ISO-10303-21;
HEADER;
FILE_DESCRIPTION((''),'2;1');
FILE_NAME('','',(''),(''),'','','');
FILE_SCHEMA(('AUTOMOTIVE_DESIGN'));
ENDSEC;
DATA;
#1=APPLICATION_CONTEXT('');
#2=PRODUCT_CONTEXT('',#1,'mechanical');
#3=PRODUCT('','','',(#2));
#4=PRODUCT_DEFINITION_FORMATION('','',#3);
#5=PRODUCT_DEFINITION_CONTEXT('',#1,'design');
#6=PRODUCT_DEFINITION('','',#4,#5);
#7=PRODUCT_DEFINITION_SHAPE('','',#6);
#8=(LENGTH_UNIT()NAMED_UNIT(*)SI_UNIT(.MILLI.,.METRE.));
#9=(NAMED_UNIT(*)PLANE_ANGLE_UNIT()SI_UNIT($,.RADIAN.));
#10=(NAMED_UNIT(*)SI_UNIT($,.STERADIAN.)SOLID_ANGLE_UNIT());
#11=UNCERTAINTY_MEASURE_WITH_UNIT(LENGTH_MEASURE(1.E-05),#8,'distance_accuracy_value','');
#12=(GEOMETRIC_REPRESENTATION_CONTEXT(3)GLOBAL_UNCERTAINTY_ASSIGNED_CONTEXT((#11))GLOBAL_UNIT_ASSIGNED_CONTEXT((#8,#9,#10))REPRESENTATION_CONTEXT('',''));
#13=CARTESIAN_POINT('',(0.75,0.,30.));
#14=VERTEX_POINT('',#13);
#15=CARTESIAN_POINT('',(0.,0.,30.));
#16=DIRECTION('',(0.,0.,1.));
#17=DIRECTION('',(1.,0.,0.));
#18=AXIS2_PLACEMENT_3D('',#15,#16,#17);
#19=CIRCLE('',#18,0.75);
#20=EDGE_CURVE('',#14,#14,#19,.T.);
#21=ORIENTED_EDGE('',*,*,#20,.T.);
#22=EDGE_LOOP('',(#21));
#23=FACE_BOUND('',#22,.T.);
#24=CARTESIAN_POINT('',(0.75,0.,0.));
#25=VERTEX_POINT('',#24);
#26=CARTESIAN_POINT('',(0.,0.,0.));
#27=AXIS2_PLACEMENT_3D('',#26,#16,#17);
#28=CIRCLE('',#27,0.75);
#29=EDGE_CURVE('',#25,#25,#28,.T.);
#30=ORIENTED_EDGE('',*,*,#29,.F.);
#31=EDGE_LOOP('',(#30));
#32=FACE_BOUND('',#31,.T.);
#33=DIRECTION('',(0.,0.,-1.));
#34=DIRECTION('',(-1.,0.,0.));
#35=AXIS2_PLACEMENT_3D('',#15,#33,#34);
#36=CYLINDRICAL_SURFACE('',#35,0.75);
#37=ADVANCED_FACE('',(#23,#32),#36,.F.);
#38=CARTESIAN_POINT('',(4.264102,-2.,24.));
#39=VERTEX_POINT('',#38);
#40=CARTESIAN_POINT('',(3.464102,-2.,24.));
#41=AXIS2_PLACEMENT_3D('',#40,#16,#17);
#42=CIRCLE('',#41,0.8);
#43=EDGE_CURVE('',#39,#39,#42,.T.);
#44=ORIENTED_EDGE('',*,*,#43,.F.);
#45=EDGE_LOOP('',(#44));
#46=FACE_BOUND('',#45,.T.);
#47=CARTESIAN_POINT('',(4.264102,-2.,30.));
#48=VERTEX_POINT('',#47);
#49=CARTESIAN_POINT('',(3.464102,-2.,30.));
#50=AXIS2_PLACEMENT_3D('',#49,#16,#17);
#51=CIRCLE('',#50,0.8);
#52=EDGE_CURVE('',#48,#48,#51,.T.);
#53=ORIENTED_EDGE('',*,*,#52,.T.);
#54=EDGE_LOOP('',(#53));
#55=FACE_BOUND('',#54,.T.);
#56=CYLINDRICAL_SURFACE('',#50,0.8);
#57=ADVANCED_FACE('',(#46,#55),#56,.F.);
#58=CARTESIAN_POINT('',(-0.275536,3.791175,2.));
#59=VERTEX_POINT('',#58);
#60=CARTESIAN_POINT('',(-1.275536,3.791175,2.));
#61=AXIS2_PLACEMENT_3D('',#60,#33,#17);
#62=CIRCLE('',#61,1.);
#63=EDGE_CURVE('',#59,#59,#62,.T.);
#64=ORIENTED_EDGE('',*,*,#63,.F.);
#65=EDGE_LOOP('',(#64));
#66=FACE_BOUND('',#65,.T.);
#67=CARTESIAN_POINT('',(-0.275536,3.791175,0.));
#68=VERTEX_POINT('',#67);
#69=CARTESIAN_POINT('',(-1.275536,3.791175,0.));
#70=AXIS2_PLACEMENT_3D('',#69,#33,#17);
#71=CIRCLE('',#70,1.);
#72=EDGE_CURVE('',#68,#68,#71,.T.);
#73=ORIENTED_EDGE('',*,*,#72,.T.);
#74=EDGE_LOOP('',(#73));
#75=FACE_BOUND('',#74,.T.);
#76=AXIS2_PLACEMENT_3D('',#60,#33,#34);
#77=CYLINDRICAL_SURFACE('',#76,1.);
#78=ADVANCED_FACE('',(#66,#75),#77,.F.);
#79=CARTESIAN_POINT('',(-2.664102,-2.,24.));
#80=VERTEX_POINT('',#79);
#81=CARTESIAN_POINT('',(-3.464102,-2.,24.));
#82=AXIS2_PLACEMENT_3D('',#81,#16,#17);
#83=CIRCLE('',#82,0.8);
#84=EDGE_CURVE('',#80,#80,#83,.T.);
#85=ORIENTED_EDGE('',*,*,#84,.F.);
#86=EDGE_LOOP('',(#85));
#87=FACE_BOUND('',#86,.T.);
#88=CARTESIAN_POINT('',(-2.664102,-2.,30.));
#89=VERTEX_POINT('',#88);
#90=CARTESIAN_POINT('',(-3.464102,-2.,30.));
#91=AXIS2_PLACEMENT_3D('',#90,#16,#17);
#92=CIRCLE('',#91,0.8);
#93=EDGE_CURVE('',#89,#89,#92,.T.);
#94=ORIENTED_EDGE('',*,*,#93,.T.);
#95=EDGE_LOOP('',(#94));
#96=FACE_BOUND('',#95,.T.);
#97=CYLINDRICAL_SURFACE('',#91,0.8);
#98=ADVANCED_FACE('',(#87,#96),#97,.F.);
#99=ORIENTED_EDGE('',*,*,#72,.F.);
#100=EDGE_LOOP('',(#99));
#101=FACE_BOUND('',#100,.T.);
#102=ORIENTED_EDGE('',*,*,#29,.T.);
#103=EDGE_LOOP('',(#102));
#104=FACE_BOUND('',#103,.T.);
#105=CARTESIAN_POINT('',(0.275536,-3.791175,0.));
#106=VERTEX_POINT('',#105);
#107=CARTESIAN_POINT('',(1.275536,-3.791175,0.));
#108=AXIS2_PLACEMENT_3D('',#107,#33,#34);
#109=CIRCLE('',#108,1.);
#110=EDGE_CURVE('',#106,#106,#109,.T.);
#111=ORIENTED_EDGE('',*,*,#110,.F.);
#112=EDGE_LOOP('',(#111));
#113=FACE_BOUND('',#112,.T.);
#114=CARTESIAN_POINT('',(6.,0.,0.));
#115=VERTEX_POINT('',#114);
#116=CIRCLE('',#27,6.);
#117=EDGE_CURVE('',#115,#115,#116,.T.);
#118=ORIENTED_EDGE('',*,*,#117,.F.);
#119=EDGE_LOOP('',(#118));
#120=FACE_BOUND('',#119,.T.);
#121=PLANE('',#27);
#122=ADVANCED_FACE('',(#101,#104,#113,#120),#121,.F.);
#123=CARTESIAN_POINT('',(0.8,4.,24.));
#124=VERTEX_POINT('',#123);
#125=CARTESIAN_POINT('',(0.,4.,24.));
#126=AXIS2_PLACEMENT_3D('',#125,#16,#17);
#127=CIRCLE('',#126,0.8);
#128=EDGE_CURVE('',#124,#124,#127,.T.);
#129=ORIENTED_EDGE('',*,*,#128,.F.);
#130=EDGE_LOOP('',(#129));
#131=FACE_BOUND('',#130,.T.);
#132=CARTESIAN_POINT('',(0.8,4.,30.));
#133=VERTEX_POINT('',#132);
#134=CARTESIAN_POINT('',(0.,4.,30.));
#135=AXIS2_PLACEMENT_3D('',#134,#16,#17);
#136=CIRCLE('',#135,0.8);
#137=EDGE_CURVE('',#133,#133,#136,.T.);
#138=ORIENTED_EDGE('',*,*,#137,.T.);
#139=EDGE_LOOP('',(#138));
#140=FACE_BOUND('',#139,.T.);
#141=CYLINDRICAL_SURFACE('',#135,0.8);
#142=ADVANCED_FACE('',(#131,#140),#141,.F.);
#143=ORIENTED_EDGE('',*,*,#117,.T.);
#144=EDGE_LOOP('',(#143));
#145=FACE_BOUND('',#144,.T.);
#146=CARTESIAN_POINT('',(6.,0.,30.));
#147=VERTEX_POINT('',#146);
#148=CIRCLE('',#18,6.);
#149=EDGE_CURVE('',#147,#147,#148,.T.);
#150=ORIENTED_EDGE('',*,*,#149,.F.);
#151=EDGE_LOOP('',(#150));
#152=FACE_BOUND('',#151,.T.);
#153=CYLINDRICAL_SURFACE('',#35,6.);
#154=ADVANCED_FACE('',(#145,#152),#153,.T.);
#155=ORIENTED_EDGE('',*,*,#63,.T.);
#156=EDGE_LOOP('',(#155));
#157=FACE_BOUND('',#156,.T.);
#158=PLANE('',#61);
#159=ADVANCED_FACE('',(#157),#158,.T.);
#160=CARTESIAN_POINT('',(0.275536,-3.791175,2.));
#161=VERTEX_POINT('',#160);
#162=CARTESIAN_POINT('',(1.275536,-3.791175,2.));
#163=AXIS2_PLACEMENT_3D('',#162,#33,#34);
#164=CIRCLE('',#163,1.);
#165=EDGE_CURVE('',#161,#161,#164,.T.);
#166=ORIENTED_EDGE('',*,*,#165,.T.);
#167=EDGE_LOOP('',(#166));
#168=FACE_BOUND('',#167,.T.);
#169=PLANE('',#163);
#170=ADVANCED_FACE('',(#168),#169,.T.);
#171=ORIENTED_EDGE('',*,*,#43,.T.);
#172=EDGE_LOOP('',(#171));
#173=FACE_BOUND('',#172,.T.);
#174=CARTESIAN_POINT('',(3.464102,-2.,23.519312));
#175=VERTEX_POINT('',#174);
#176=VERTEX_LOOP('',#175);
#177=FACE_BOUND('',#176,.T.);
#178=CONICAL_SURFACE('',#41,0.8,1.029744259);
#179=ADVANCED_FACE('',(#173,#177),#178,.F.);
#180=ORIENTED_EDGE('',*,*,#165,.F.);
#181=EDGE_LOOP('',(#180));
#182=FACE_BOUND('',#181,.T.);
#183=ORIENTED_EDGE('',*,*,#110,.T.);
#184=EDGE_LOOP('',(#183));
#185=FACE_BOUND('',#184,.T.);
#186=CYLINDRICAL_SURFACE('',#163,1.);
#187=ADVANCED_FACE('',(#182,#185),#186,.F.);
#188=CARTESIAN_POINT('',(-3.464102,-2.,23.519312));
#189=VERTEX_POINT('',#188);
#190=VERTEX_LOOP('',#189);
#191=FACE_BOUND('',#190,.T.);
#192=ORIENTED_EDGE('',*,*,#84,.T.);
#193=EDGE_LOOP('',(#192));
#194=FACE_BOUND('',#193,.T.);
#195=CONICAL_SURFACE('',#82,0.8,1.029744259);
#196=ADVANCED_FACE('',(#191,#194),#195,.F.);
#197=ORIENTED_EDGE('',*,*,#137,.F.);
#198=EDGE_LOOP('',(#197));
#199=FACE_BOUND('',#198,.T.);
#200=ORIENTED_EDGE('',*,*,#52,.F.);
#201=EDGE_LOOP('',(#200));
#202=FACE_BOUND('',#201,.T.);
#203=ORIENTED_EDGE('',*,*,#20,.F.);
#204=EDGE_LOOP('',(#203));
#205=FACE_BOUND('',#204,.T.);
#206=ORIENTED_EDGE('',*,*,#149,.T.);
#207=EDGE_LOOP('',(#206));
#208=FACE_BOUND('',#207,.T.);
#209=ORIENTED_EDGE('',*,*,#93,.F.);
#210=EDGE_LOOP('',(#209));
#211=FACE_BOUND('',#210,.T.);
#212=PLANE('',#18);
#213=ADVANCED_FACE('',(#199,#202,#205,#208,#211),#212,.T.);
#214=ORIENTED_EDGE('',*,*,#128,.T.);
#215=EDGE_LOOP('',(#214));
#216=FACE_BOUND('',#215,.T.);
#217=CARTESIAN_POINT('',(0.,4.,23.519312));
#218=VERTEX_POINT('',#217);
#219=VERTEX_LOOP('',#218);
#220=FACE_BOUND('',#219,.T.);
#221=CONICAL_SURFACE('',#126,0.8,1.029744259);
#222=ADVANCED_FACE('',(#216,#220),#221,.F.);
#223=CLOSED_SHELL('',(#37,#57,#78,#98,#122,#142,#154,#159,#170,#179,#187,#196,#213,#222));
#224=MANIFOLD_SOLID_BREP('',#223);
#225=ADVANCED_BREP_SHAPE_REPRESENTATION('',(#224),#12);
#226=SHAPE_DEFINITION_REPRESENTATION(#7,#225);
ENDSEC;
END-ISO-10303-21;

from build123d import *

# Parameters (mm, degrees)
ESQUISSE1_R                  = 6
ESQUISSE1_R_2                = 0.75
EXTRUSION1_DEPTH             = 30
R_P_TITION_CIRCULAIRE1_COUNT = 3
ESQUISSE4_R                  = 1
EXTRUSION2_DEPTH             = 2
R_P_TITION_CIRCULAIRE2_COUNT = 2


with BuildPart() as part:
    # Esquisse1 → Extrusion1 (new body)
    with BuildSketch(Plane.XY):
        Circle(ESQUISSE1_R)
        Circle(ESQUISSE1_R_2, mode=Mode.SUBTRACT)
    extrude(amount=EXTRUSION1_DEPTH)

    # Esquisse2 → Trou taraudé M21 (revolve, cut)
    with BuildSketch(Plane(origin=(0, 4, 30), x_dir=(0, -1, 0), z_dir=(1, 0, 0))):
        Polygon((0, 0), (0, 6.480688495), (0.8, 6), (0.8, 0), align=None)
    trou_taraud_m21 = revolve(axis=Axis((0, 4, 36.35), (0, 0, -1)), mode=Mode.SUBTRACT)

    # Répétition circulaire1: Trou taraudé M21 ×3 about axis
    r_p_tition_circulaire1_axis = Axis((0, 0, 0), (0, 0, 1))
    for i in range(1, R_P_TITION_CIRCULAIRE1_COUNT):
        add(trou_taraud_m21.rotate(r_p_tition_circulaire1_axis, i * 360 / R_P_TITION_CIRCULAIRE1_COUNT), mode=Mode.SUBTRACT)

    # Esquisse4 → Extrusion2 (cut)
    with BuildSketch(Plane(origin=(0, 0, 0), x_dir=(-1, 0, 0), z_dir=(0, 0, -1))):
        with Locations((-1.275535565, -3.791175151)):
            Circle(ESQUISSE4_R)
    extrusion2 = extrude(amount=-EXTRUSION2_DEPTH, mode=Mode.SUBTRACT)

    # Répétition circulaire2: Extrusion2 ×2 about axis
    r_p_tition_circulaire2_axis = Axis((0, 0, 0), (0, 0, 1))
    for i in range(1, R_P_TITION_CIRCULAIRE2_COUNT):
        add(extrusion2.rotate(r_p_tition_circulaire2_axis, i * 360 / R_P_TITION_CIRCULAIRE2_COUNT), mode=Mode.SUBTRACT)


solid = part.part
